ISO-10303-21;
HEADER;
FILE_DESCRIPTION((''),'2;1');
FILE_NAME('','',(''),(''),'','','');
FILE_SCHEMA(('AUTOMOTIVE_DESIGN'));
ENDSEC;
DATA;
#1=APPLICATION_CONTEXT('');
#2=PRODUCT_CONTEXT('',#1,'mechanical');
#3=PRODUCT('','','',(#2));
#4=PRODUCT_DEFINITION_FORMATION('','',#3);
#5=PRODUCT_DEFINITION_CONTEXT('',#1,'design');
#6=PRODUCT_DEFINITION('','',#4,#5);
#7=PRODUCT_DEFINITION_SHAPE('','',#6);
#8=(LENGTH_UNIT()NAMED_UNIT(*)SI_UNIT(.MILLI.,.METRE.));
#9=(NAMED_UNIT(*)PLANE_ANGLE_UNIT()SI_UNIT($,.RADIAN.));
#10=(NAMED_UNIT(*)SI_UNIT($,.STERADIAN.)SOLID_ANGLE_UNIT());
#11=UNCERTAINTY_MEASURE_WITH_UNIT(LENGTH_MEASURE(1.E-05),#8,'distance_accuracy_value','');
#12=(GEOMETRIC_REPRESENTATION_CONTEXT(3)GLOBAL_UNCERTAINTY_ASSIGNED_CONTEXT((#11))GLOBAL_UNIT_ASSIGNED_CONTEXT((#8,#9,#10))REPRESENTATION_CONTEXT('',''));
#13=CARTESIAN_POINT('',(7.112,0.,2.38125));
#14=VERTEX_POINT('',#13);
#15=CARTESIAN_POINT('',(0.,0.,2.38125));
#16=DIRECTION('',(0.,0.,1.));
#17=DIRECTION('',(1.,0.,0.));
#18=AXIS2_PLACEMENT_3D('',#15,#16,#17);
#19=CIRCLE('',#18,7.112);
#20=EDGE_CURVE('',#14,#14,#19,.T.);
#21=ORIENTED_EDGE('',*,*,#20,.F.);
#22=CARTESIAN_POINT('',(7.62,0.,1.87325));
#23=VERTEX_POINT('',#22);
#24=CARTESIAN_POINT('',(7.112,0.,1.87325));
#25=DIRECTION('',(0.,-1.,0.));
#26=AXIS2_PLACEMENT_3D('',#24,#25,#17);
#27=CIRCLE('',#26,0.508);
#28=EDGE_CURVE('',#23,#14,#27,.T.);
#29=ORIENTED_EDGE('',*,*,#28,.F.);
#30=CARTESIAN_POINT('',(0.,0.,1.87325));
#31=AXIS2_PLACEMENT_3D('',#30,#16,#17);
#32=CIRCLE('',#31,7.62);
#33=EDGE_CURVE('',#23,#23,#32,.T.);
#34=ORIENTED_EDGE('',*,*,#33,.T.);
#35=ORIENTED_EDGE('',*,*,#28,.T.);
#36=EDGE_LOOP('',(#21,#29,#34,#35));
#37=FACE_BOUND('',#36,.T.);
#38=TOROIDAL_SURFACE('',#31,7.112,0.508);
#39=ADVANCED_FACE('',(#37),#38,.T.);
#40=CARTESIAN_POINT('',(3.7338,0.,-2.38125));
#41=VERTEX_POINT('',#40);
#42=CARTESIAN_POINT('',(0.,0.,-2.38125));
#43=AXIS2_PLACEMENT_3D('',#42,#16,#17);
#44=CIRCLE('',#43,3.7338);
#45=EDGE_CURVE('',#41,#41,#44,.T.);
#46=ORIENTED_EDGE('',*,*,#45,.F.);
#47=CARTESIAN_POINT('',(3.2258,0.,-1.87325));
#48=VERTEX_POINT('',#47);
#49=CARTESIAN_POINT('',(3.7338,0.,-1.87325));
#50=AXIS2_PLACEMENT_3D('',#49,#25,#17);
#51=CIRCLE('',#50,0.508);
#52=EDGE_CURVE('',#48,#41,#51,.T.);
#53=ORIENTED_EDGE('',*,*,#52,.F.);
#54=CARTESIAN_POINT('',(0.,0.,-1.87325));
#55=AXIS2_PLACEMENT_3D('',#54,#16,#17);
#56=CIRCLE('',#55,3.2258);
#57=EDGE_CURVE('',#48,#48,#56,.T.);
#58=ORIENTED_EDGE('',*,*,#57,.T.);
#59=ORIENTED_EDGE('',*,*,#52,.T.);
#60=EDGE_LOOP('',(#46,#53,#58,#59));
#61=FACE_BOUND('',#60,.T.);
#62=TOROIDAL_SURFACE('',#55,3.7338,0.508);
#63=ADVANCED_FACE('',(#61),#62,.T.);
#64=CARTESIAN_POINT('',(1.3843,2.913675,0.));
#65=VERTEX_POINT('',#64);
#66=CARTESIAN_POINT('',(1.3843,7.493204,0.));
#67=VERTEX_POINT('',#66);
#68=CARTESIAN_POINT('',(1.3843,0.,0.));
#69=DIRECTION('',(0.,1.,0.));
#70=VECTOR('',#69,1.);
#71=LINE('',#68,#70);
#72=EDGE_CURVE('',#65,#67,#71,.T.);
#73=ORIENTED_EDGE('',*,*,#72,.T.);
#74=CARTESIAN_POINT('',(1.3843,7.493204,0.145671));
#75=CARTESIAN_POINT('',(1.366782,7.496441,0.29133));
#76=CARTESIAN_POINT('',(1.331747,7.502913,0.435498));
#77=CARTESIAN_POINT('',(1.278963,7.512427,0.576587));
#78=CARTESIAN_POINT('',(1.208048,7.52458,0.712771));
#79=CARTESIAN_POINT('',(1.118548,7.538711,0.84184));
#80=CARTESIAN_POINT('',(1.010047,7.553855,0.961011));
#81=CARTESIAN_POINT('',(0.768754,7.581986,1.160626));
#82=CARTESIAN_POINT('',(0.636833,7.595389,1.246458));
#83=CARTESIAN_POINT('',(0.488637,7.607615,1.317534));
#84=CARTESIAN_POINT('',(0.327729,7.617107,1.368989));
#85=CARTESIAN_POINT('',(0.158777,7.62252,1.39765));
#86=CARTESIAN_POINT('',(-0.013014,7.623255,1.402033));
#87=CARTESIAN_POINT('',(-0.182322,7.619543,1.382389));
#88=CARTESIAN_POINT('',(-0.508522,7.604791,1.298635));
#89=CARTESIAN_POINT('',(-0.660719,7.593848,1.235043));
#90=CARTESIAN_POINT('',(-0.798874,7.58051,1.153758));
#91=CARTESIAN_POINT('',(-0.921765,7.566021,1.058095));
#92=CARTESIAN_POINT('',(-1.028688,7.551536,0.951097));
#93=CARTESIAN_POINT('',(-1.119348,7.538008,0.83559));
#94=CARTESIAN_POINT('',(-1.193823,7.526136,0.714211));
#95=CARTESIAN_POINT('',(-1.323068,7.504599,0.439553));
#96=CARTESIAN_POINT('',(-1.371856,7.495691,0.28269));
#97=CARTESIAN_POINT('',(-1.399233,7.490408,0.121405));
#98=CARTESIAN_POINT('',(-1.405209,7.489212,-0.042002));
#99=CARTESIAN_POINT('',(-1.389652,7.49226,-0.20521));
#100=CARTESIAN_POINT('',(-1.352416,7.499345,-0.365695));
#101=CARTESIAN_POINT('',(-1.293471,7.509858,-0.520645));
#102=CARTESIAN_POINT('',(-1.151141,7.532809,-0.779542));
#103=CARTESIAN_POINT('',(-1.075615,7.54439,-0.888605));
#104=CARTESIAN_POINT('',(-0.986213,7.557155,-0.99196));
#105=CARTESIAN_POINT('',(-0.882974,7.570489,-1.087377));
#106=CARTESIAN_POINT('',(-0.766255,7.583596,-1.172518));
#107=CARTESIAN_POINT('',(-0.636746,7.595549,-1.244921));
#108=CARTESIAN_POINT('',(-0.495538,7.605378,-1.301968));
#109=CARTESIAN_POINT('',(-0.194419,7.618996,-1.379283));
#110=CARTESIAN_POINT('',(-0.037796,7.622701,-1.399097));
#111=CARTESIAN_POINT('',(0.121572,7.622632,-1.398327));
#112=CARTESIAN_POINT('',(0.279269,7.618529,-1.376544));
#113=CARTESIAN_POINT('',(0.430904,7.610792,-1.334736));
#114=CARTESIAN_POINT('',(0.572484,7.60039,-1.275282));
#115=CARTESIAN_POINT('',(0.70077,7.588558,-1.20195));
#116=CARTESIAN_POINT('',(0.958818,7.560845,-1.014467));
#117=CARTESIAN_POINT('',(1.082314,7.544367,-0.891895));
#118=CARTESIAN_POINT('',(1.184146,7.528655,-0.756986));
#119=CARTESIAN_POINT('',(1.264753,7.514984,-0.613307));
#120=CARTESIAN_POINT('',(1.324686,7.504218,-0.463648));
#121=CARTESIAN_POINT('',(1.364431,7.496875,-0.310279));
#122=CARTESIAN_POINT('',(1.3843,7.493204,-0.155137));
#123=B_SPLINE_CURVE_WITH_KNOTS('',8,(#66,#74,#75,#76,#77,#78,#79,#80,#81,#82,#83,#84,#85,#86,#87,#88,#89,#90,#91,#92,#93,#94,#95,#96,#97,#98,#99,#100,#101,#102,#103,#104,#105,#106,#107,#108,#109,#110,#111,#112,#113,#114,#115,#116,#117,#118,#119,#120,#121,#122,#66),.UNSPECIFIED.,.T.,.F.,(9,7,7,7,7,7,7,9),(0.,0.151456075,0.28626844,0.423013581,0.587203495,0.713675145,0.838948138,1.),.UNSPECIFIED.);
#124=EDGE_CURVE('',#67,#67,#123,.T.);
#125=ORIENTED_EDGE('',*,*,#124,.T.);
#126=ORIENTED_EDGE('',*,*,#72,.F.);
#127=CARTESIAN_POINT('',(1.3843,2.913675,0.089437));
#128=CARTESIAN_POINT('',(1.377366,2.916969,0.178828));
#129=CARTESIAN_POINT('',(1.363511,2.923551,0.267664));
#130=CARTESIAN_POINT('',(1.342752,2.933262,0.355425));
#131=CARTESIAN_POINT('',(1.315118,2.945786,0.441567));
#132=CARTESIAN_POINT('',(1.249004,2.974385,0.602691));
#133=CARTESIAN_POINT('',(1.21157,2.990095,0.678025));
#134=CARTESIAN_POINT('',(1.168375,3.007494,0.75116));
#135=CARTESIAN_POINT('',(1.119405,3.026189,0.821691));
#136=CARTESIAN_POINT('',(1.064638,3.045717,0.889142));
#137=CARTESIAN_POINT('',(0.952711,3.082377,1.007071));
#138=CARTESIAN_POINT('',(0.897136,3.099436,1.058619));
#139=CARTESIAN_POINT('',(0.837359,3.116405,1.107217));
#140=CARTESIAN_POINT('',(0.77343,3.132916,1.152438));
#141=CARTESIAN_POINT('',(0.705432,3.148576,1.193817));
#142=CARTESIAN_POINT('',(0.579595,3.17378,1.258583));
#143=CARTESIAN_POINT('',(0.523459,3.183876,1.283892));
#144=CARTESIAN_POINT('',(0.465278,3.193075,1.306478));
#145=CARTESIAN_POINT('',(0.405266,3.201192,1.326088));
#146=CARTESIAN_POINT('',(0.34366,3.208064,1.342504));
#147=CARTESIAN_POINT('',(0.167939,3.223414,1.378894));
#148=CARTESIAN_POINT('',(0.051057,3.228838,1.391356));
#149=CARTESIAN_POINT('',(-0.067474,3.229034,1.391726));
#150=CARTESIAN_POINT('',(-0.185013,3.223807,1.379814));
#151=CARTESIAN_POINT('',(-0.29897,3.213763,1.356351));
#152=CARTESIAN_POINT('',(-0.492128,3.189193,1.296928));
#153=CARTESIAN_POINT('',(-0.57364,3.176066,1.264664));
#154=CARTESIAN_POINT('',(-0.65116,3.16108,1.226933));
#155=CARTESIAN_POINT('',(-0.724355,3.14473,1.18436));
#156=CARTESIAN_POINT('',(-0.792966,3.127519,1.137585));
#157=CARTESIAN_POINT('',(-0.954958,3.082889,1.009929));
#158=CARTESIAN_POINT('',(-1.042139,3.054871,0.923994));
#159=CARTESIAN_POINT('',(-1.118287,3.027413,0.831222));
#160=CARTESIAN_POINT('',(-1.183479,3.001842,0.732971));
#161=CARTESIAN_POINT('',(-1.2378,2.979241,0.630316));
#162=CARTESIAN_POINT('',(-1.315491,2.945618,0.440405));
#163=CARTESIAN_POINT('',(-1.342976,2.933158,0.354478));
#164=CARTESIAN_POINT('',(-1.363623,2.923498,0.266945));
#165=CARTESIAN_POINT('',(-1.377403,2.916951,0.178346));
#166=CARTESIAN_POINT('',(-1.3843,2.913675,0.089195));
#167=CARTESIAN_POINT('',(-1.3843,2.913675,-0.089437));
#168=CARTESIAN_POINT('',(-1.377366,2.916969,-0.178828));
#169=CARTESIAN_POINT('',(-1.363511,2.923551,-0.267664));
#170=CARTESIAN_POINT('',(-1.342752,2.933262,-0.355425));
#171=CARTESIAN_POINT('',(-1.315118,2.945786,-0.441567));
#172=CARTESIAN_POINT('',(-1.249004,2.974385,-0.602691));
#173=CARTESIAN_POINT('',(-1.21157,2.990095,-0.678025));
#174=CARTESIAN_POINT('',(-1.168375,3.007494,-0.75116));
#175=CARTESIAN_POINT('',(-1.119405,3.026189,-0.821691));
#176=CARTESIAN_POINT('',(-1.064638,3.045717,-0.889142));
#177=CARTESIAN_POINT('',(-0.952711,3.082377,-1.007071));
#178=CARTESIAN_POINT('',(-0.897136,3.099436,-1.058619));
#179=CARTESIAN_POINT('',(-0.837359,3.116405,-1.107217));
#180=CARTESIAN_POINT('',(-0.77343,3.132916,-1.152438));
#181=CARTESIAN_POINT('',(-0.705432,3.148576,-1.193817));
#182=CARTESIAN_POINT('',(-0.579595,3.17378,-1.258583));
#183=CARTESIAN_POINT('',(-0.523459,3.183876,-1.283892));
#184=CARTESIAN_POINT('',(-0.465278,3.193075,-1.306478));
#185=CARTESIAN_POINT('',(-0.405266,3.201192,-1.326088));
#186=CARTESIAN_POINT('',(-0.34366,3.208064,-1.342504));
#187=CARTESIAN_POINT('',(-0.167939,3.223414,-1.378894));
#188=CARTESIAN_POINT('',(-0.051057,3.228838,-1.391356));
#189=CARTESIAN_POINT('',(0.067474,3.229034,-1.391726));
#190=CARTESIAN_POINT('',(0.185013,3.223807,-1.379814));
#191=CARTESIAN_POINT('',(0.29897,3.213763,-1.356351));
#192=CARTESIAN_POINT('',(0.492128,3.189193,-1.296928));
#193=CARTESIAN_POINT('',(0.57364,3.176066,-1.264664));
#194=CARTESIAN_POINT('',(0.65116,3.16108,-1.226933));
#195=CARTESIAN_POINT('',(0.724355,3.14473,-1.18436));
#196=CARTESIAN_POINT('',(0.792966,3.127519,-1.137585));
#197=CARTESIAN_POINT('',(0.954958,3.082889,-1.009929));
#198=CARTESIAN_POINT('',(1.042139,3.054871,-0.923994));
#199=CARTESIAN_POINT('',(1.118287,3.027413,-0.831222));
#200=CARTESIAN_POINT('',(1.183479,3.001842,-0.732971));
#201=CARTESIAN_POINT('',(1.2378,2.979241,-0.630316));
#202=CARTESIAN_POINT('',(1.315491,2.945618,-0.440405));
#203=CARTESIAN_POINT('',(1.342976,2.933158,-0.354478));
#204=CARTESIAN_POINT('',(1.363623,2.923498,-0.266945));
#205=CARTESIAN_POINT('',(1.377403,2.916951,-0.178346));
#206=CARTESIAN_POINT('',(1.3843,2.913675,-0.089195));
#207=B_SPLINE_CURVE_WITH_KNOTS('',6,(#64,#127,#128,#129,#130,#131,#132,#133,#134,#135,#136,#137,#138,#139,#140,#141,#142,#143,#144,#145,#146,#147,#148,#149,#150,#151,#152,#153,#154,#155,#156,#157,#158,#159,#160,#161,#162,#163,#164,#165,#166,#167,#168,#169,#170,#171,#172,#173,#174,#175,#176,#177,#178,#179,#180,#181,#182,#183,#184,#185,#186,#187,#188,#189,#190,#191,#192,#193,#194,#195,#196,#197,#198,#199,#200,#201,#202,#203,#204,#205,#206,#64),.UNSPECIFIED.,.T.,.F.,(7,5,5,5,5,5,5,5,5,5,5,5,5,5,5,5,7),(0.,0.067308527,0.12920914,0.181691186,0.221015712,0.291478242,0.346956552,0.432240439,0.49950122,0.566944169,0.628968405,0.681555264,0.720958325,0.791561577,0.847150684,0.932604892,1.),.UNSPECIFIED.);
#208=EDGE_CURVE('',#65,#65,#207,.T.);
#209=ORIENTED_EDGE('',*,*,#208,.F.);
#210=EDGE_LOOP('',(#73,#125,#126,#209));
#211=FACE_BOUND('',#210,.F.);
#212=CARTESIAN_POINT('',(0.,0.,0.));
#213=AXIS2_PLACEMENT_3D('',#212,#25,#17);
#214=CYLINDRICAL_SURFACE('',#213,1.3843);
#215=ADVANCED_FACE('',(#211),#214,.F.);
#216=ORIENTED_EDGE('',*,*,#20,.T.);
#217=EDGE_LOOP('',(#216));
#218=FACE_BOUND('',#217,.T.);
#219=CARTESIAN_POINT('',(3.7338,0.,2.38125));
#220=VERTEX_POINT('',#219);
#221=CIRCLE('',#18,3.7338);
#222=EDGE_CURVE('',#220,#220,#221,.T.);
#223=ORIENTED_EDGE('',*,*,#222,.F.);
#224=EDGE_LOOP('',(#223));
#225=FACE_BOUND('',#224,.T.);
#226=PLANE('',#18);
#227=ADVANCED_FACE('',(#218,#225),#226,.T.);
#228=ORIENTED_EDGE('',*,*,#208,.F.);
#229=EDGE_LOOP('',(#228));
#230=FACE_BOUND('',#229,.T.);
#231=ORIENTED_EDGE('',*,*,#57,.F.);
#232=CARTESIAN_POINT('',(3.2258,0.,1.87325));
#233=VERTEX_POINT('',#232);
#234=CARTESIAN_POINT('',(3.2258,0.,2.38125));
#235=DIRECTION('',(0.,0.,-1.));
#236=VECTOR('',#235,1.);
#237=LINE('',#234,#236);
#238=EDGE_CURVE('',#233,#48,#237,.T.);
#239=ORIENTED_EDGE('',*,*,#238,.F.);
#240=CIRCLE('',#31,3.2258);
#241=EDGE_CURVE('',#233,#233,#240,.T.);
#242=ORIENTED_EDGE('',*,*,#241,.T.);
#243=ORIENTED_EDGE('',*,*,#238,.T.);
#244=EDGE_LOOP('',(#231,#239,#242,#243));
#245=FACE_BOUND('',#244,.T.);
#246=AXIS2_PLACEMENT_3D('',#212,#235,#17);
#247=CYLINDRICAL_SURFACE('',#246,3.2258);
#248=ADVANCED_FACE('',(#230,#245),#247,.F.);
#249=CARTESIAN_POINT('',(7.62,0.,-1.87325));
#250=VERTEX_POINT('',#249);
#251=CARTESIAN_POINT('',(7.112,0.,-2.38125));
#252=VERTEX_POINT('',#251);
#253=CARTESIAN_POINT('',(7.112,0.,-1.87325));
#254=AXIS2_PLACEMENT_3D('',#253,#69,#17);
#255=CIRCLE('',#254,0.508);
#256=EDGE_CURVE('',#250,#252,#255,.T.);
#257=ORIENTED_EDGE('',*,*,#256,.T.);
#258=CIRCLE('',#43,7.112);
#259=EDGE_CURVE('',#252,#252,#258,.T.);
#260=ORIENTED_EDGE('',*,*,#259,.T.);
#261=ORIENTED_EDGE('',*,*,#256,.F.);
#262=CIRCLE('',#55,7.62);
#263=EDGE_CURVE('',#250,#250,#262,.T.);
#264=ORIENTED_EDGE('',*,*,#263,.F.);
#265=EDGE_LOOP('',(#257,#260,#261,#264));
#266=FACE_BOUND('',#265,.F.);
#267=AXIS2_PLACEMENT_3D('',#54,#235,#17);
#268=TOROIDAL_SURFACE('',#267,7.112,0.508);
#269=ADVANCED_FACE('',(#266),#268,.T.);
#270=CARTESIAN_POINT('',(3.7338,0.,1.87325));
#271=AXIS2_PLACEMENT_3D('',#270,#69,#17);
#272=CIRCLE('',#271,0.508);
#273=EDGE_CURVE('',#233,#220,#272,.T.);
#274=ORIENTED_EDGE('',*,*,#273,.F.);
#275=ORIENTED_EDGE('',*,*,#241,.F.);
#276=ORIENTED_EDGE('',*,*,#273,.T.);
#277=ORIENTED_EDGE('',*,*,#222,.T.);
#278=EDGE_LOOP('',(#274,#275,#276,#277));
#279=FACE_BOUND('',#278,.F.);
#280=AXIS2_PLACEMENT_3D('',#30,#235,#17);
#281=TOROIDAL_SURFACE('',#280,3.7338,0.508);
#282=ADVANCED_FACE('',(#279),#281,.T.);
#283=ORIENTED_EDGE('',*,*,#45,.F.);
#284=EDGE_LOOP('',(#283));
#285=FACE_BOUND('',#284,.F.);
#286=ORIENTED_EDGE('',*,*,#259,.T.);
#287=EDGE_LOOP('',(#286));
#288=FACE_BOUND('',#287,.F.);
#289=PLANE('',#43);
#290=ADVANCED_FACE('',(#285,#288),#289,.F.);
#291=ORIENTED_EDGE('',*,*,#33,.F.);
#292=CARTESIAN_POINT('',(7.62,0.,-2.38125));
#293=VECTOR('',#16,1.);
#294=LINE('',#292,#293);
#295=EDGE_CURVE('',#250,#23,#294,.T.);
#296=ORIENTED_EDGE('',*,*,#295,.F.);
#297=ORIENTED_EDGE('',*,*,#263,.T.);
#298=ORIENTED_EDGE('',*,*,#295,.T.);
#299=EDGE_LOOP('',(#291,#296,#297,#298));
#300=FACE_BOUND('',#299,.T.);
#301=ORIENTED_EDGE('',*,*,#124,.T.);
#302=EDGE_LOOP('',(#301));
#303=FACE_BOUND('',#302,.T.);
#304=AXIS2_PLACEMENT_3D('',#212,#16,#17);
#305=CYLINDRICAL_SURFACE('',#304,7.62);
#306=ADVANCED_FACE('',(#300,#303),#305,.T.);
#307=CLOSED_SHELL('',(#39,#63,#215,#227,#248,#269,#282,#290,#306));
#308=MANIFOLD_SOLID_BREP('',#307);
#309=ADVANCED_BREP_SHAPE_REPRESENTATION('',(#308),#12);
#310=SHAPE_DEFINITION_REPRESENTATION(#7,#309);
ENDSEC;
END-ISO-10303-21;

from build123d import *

# Parameters (mm, degrees)
F0_R     = 7.62
F0_R_2   = 3.2258
F1_DEPTH = 2.38125
F2_R     = 1.3843
F3_DEPTH = 7.62
F4_R     = 0.508


with BuildPart() as f1:
    # F0 (on Top) → F1 (new body, symmetric)
    with BuildSketch(Plane.XY):
        Circle(F0_R)
        Circle(F0_R_2, mode=Mode.SUBTRACT)
    extrude(amount=F1_DEPTH, both=True)

    # F2 (on Front) → F3 (cut)
    with BuildSketch(Plane.XZ):
        Circle(F2_R)
    extrude(amount=-F3_DEPTH, mode=Mode.SUBTRACT)

    # F4
    f4_edges = [f1.edges().sort_by_distance(p)[0] for p in [
        (-7.62, 0, 2.38125),
        (-7.62, 0, -2.38125),
        (-3.2258, 0, -2.38125),
        (-3.2258, 0, 2.38125),
    ]]
    fillet(f4_edges, radius=F4_R)


solid = f1.part
